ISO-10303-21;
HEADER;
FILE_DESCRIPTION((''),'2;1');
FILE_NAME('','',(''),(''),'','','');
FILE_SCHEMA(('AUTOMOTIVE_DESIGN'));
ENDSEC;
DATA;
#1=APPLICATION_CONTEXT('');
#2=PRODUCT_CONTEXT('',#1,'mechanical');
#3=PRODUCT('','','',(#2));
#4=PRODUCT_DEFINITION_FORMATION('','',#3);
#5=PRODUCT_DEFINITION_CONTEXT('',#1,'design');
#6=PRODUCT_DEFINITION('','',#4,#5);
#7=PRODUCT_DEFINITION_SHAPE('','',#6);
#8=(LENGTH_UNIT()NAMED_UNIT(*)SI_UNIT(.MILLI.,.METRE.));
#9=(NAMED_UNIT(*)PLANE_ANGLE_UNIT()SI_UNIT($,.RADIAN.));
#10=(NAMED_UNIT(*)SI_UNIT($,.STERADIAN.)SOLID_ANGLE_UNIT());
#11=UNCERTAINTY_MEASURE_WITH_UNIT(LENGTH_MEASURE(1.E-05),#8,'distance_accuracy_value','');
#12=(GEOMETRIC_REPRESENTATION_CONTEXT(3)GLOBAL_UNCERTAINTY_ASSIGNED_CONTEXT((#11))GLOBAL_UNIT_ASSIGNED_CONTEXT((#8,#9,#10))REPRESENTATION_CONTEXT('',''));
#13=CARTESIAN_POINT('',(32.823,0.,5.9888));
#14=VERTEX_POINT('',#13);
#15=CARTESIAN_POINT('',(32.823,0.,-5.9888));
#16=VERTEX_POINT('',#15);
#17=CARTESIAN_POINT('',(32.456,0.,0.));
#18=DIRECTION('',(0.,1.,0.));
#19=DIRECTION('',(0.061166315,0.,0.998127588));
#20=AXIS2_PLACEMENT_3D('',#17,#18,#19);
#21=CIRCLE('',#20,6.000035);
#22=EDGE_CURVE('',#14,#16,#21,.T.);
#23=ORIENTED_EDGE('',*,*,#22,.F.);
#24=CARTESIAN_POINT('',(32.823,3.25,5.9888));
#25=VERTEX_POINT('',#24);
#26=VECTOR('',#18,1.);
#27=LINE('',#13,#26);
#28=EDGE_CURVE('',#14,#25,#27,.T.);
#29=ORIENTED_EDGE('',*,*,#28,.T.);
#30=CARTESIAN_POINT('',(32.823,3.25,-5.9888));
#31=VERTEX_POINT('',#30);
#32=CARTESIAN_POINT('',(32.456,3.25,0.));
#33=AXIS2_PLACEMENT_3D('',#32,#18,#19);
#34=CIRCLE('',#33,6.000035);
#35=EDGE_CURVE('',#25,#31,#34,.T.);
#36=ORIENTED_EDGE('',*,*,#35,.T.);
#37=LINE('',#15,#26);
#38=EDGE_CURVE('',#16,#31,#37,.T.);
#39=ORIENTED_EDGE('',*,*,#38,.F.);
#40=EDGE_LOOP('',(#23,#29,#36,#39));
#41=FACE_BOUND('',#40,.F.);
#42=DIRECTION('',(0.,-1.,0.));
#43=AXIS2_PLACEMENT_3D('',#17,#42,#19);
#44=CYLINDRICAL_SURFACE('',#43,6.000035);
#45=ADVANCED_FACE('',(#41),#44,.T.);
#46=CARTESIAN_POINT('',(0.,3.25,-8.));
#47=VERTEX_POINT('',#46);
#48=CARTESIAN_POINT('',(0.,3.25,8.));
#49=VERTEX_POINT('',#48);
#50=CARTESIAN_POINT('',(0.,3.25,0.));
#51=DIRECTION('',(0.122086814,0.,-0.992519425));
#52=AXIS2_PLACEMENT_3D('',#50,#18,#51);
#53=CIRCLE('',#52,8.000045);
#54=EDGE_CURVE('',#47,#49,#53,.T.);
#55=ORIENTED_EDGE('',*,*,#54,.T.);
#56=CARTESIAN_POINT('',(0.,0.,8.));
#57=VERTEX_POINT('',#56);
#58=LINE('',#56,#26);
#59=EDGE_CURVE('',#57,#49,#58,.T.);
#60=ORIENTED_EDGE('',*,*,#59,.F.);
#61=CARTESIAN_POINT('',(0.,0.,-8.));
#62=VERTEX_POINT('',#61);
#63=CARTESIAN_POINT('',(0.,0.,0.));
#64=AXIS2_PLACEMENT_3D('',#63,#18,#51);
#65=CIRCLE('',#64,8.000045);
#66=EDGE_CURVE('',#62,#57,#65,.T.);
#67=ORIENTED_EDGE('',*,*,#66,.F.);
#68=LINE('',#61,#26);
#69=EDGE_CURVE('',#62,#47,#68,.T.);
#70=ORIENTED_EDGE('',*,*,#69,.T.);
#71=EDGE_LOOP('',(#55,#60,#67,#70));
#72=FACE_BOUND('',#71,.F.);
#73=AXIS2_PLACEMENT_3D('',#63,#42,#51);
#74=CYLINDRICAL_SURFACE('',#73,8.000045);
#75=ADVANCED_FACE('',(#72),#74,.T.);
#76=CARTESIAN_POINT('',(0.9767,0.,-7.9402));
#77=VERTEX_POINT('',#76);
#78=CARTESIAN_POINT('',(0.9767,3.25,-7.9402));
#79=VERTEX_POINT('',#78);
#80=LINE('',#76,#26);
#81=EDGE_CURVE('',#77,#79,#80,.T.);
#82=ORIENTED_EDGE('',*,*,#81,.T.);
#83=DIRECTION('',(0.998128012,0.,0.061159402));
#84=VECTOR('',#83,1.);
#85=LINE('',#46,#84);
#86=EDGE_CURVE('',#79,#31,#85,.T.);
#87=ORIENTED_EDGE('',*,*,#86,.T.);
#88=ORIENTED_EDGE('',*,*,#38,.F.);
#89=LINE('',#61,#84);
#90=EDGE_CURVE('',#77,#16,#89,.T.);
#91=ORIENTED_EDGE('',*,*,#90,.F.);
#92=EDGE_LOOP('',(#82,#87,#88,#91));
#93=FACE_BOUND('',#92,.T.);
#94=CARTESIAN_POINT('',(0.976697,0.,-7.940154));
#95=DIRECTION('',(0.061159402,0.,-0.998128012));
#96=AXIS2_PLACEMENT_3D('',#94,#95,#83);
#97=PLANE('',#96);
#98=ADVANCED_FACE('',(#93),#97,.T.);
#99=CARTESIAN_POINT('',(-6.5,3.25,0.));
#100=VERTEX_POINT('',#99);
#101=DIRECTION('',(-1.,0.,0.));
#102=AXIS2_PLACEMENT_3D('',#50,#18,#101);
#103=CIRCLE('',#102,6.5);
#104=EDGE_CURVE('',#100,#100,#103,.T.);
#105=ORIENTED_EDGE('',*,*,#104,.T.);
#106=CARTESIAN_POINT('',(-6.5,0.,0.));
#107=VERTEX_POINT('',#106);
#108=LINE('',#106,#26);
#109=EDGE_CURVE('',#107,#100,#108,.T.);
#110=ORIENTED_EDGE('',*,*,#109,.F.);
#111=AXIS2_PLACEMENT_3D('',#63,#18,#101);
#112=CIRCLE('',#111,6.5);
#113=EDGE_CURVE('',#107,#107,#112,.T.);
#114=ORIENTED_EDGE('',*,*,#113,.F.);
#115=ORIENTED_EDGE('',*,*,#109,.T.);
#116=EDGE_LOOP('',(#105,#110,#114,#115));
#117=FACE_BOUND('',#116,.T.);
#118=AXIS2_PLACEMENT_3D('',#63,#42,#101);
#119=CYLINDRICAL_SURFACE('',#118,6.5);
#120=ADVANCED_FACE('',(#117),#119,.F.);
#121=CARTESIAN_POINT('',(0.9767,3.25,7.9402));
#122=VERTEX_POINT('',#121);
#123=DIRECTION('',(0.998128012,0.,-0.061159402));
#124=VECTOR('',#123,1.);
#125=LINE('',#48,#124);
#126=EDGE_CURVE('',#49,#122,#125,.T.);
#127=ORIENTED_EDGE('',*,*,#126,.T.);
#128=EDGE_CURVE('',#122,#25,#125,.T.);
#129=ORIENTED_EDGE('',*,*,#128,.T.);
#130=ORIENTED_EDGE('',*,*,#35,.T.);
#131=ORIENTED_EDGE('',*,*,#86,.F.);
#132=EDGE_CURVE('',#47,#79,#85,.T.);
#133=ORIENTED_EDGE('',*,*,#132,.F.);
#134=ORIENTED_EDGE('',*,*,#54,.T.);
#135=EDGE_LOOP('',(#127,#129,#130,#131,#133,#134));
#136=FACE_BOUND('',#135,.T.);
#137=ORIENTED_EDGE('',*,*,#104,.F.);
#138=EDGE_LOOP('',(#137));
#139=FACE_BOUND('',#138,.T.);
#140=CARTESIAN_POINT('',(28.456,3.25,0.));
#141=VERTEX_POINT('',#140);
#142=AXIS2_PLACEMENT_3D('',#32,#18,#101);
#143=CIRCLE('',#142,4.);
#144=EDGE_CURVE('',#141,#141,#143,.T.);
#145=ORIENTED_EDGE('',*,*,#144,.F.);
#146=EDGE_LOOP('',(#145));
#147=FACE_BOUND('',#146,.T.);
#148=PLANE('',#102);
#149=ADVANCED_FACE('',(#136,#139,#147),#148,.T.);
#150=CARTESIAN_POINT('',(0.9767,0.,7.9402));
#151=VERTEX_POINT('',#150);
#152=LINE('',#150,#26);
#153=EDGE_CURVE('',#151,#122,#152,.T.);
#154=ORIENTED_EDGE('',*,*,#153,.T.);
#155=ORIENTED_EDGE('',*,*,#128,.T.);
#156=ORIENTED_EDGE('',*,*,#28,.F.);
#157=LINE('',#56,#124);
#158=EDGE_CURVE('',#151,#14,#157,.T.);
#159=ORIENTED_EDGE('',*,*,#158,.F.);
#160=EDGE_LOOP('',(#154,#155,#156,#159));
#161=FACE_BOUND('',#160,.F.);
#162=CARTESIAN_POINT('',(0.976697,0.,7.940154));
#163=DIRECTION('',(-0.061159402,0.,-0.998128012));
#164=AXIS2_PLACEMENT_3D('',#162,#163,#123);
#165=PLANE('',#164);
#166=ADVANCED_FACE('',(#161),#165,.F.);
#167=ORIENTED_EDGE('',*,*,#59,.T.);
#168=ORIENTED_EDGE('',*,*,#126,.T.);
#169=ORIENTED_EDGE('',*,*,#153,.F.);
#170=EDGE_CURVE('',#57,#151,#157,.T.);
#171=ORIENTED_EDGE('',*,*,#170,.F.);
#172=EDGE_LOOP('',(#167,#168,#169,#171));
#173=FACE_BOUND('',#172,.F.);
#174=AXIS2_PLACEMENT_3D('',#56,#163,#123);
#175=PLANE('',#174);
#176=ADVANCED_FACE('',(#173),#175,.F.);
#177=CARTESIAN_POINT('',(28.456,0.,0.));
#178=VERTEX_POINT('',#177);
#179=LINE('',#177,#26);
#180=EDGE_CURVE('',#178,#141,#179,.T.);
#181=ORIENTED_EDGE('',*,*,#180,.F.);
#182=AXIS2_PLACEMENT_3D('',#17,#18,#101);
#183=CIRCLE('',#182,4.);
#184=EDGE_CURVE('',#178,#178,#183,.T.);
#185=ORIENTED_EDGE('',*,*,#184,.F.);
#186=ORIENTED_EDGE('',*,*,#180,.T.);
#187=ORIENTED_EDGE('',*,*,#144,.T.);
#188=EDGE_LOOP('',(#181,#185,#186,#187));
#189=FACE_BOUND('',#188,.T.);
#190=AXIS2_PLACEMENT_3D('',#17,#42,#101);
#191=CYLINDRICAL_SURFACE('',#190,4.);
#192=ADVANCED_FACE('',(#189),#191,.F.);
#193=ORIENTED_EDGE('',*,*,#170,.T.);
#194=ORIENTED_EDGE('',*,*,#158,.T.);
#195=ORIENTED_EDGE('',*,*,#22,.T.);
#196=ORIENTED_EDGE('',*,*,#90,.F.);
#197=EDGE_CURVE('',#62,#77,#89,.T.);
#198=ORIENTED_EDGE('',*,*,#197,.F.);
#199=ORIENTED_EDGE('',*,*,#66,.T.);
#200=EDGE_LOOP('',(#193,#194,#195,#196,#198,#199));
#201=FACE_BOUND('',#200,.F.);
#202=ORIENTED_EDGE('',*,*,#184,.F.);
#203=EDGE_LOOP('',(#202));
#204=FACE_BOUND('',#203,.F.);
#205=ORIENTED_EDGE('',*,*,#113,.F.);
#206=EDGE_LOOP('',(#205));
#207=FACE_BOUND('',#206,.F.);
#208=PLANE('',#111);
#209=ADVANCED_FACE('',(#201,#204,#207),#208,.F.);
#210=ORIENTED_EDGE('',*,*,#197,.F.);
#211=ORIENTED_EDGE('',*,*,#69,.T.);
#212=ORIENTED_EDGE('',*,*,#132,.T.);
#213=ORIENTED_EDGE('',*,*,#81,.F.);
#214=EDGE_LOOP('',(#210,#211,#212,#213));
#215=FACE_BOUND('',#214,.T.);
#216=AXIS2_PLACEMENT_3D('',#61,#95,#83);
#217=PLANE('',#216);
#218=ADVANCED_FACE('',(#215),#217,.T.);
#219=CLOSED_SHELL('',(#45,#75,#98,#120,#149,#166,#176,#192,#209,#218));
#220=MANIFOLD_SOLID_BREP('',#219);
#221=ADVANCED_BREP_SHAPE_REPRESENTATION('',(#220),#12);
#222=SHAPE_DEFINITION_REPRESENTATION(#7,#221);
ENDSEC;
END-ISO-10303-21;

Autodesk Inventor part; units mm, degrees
ref_plane "YZ Plane" through (0, 0, 0) normal (1, 0, 0) x (0, 1, 0)
ref_plane "XZ Plane" through (0, 0, 0) normal (0, 1, 0) x (-1, 0, 0)
ref_plane "XY Plane" through (0, 0, 0) normal (0, 0, 1) x (1, 0, 0)
sketch "Sketch1" plane through (0, 0, 0) normal (0, 1, 0) x (-1, 0, 0)
  circle A0 centre (0, 0) radius 6.5
  line L0 (0, 0) -> (-32.456, 0) construction
  circle A1 centre (-32.456, 0) radius 4
  arc A2 (-0.9767, -7.9402) -> (-0.9767, 7.9402) centre (0, 0) ccw
  arc A3 (-32.823, 5.9888) -> (-32.823, -5.9888) centre (-32.456, 0) ccw
  line L1 (0, 8) -> (-32.823, 5.9888)
  line L2 (0, -8) -> (-32.823, -5.9888)
  dimension "d0" = 13
  dimension "d1" = 32.456
  dimension "d2" = 8
  dimension "d3" = 16
  dimension "d4" = 12
extrude "Extrusion1" add sketch "Sketch1" along normal blind 3.25 contours L2 A3 L1 A2
properties part number "conex_llantamov"
